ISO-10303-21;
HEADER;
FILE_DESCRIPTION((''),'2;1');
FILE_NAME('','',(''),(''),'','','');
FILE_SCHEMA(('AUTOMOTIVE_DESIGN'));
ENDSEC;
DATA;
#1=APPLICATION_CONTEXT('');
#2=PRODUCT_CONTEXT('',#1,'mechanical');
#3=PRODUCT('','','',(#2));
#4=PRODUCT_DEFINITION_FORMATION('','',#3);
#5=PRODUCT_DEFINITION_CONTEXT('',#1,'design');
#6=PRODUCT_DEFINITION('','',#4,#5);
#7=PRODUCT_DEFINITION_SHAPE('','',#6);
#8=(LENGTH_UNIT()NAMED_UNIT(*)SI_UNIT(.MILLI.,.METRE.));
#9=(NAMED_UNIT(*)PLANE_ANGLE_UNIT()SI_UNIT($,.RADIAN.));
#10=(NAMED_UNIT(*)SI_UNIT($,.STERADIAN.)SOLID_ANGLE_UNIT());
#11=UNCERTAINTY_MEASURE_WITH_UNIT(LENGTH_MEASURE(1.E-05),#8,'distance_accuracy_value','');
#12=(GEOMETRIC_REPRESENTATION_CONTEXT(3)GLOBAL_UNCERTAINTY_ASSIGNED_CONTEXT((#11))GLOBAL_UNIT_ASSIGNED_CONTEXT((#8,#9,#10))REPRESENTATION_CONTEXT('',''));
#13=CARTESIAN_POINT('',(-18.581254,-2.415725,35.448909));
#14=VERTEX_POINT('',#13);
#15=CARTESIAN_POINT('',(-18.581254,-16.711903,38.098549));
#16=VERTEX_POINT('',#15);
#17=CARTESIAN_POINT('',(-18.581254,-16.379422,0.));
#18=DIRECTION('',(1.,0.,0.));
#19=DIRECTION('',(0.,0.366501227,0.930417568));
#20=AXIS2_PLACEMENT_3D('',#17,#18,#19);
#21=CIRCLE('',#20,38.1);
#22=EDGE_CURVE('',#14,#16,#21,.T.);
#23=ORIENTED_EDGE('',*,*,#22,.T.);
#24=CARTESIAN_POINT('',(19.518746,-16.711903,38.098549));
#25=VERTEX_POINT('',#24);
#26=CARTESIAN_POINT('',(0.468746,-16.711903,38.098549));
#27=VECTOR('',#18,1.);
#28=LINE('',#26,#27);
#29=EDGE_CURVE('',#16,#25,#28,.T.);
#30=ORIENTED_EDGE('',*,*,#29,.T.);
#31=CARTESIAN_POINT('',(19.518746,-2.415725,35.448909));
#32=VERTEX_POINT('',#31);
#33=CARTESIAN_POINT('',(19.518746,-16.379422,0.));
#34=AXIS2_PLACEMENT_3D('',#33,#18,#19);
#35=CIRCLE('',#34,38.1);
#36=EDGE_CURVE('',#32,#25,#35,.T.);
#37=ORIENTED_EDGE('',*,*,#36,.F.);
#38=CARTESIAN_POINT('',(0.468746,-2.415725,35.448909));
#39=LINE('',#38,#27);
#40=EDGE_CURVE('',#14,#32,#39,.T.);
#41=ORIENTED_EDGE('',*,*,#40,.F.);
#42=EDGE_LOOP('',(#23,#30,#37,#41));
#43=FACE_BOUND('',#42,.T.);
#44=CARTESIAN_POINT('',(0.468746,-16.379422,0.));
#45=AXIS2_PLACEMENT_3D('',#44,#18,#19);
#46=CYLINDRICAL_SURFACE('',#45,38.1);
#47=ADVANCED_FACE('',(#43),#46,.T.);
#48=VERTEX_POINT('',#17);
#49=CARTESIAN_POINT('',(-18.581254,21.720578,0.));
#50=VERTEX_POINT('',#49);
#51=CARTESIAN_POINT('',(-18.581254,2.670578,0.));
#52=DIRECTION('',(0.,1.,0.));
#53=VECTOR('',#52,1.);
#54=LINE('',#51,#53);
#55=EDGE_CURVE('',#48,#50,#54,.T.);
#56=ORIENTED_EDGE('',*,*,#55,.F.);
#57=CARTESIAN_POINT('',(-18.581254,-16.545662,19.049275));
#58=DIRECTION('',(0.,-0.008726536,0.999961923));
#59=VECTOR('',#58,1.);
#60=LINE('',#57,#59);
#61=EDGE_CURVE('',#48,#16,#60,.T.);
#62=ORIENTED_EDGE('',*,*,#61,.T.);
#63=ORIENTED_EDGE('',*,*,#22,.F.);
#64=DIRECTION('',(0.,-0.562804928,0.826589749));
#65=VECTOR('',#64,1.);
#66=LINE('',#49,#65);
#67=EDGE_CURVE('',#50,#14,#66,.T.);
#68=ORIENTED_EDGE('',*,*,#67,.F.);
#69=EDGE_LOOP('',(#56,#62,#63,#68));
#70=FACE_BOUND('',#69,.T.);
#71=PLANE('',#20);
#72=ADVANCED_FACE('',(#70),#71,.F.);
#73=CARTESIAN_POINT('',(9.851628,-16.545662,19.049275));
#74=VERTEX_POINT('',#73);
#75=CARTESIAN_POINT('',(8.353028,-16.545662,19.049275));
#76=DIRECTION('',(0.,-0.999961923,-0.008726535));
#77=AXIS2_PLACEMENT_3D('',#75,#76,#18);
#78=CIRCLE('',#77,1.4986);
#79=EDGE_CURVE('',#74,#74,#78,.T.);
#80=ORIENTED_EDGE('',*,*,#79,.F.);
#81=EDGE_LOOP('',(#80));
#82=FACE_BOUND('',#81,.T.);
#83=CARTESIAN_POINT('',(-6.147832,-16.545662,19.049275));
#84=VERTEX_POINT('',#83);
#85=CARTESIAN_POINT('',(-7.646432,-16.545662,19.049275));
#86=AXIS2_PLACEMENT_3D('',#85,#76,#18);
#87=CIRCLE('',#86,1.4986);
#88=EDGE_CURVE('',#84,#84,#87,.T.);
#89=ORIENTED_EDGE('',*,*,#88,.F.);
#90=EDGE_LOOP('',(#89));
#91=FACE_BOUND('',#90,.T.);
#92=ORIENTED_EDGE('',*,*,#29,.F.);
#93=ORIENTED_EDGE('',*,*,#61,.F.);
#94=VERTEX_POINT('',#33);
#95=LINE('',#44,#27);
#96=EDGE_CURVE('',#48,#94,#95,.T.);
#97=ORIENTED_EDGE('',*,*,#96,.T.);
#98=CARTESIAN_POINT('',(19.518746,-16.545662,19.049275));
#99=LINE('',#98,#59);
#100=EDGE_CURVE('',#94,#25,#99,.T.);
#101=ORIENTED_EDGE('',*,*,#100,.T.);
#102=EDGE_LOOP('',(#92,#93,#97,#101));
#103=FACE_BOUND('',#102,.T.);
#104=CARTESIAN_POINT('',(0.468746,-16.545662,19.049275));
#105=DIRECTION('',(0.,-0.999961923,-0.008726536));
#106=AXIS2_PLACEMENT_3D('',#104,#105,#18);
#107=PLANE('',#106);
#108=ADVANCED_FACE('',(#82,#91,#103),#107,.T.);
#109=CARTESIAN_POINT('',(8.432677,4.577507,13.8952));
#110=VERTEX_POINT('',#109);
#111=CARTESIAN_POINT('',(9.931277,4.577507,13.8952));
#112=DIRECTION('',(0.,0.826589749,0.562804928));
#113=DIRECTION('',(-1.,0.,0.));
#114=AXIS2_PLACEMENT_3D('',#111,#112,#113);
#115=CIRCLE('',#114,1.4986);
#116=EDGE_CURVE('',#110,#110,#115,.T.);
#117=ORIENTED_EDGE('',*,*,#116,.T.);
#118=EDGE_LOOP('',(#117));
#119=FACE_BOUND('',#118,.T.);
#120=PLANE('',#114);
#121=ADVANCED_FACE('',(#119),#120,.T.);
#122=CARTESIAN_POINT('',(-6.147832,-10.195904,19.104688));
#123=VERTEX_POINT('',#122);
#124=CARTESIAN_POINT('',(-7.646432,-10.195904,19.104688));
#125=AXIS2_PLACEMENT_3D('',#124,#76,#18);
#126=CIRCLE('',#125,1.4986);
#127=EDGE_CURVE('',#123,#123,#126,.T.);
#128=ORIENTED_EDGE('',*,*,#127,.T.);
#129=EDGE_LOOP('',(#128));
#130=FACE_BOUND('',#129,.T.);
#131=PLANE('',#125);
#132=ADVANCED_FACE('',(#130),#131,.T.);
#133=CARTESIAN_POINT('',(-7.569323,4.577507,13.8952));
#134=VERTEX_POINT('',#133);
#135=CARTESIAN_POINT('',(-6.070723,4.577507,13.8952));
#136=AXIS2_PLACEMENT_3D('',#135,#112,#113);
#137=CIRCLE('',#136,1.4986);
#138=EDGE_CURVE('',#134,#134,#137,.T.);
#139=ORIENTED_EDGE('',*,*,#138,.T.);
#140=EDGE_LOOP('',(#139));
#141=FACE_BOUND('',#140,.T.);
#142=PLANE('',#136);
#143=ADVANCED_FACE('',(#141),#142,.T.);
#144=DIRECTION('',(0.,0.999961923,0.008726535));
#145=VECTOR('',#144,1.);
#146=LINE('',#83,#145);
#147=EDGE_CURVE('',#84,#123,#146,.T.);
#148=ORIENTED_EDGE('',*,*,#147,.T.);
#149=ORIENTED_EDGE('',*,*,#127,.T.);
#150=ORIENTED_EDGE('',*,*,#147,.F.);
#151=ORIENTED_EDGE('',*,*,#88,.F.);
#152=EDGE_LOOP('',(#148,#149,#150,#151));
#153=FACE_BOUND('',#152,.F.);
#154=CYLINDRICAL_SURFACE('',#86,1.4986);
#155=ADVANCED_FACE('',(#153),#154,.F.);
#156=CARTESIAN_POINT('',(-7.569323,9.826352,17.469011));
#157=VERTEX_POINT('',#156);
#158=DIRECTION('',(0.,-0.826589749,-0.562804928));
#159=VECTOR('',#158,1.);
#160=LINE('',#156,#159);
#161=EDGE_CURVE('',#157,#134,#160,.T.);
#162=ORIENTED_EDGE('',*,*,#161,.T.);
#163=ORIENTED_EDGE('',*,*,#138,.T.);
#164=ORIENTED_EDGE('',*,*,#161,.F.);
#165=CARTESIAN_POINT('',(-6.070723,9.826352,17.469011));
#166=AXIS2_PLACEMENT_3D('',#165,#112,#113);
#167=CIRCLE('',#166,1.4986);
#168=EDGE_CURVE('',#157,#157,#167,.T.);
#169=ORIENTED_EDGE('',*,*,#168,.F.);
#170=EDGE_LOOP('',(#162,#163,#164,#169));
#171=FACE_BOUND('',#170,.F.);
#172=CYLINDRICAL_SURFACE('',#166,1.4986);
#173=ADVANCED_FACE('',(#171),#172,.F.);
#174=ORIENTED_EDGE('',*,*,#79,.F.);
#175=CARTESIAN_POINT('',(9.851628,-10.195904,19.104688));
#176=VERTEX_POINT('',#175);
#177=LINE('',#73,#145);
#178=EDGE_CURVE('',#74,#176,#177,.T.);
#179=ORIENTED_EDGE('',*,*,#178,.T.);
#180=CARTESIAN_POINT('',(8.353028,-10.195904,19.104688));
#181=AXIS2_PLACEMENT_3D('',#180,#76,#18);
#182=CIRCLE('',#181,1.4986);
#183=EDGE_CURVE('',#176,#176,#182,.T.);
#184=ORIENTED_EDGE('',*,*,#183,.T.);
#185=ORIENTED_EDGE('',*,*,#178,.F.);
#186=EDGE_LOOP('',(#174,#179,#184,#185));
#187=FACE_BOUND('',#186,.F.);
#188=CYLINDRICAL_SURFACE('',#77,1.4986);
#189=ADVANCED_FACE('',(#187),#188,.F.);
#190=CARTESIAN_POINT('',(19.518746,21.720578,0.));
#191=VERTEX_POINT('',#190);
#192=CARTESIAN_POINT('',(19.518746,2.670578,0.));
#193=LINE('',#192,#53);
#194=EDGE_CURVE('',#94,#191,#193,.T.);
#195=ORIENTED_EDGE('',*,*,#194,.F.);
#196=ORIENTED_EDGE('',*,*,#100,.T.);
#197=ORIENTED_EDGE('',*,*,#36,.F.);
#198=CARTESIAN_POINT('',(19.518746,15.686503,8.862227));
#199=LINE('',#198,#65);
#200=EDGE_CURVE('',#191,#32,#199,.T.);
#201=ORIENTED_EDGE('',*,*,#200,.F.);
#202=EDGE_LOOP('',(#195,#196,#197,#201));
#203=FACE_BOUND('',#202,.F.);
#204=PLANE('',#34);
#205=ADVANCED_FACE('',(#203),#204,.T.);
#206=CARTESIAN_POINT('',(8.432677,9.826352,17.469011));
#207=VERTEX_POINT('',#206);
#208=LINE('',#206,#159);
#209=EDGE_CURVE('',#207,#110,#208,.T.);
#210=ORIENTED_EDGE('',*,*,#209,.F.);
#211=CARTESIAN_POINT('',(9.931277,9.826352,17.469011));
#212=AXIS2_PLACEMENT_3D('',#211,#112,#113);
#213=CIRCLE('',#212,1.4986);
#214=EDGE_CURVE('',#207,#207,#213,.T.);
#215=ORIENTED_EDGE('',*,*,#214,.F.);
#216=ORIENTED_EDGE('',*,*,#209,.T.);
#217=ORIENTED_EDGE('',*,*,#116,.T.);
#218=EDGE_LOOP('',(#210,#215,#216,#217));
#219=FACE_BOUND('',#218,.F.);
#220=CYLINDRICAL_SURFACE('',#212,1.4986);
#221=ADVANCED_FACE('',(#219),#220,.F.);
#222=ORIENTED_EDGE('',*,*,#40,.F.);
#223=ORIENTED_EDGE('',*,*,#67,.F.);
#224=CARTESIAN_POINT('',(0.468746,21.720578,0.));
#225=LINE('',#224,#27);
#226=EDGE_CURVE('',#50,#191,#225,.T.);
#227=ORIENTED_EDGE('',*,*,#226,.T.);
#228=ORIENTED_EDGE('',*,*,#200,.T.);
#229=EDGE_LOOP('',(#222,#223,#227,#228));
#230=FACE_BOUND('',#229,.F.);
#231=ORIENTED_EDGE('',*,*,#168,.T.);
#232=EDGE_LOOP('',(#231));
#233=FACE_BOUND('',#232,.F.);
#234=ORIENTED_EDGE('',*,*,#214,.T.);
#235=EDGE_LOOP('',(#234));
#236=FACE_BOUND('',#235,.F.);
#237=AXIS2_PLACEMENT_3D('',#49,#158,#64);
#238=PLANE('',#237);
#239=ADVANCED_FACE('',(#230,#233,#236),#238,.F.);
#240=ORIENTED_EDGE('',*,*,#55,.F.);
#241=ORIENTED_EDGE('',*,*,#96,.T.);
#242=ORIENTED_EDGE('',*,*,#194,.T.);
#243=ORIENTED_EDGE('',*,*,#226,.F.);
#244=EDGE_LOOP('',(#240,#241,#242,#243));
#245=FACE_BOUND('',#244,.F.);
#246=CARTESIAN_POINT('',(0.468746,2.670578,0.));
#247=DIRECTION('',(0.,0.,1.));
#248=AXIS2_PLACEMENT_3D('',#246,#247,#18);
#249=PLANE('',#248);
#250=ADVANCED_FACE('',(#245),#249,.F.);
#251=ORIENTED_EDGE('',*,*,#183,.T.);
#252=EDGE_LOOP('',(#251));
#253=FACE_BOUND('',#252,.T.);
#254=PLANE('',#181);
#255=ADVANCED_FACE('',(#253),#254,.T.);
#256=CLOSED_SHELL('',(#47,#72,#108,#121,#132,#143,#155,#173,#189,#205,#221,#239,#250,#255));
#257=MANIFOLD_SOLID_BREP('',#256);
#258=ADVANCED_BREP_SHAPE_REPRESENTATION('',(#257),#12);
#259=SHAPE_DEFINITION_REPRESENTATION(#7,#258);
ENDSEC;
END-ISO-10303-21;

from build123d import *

# Parameters (mm, degrees)
F0_W       = 38.1
F0_H       = 38.1
F1_ANGLE   = 68.5
F3_DEPTH   = 38.101
F1_FACE1_W = 38.1
F1_FACE1_H = 38.1
F4_ANGLE   = 22
F5_R       = 1.4986
F6_R       = 1.4986
F7_DEPTH   = 6.35
F8_R       = 1.4986
F9_DEPTH   = 6.35


with BuildPart() as f1:
    # F0 (on Top) → F1 (revolve)
    with BuildSketch(Plane.XY):
        with Locations((0.4687455922, 2.6705784231)):
            Rectangle(F0_W, F0_H)
    revolve(axis=Axis((0.4687455922, -16.3794215769, 0), (1, 0, 0)), revolution_arc=F1_ANGLE)

    # F2 (on face) → F3 (cut, through all)
    with BuildSketch(Plane(origin=(-18.5812544078, 0, 0), x_dir=(0, -1, 0), z_dir=(-1, 0, 0))):
        with BuildLine():
            Line((-21.7205784231, 0), (2.4157248387, 35.4489093401))
            ThreePointArc((2.4157248387, 35.4489093401), (-15.1136478649, 21.4428677452), (-21.7205784231, 0))
        make_face()
    extrude(amount=-F3_DEPTH, mode=Mode.SUBTRACT)

    # F1_face1 (on face) → F4 (revolve)
    with BuildSketch(Plane(origin=(0.4687455922, -9.3975732078, 17.7244546701), x_dir=(1, 0, 0), z_dir=(0, -0.930417568, 0.3665012267))):
        Rectangle(F1_FACE1_W, F1_FACE1_H)
    revolve(axis=Axis((0.4687455922, -16.3794215769, 0), (1, 0, 0)), revolution_arc=F4_ANGLE)

    # F5 (on face) + F6 (on face) → F7 (cut)
    with BuildSketch(Plane(origin=(0, -16.3781742442, -0.1429301613), x_dir=(1, 0, 0), z_dir=(0, -0.9999619231, -0.0087265355))):
        with Locations((-7.6464321464, 19.1929356038)):
            Circle(F5_R)
    with BuildSketch(Plane(origin=(0, -16.3781742442, -0.1429301613), x_dir=(1, 0, 0), z_dir=(0, -0.9999619231, -0.0087265355))):
        with Locations((8.3530278536, 19.1929356038)):
            Circle(F6_R)
    extrude(amount=-F7_DEPTH, mode=Mode.SUBTRACT)

    # F8 (on face) → F9 (cut)
    with BuildSketch(Plane(origin=(0, 14.8405985302, 10.1046038758), x_dir=(-1, 0, 0), z_dir=(0, 0.8265897491, 0.5628049277))):
        with Locations((-9.9312769204, 8.9093865827)):
            Circle(F8_R)
        with Locations((6.0707230796, 8.9093865827)):
            Circle(F8_R)
    extrude(amount=-F9_DEPTH, mode=Mode.SUBTRACT)


solid = f1.part
